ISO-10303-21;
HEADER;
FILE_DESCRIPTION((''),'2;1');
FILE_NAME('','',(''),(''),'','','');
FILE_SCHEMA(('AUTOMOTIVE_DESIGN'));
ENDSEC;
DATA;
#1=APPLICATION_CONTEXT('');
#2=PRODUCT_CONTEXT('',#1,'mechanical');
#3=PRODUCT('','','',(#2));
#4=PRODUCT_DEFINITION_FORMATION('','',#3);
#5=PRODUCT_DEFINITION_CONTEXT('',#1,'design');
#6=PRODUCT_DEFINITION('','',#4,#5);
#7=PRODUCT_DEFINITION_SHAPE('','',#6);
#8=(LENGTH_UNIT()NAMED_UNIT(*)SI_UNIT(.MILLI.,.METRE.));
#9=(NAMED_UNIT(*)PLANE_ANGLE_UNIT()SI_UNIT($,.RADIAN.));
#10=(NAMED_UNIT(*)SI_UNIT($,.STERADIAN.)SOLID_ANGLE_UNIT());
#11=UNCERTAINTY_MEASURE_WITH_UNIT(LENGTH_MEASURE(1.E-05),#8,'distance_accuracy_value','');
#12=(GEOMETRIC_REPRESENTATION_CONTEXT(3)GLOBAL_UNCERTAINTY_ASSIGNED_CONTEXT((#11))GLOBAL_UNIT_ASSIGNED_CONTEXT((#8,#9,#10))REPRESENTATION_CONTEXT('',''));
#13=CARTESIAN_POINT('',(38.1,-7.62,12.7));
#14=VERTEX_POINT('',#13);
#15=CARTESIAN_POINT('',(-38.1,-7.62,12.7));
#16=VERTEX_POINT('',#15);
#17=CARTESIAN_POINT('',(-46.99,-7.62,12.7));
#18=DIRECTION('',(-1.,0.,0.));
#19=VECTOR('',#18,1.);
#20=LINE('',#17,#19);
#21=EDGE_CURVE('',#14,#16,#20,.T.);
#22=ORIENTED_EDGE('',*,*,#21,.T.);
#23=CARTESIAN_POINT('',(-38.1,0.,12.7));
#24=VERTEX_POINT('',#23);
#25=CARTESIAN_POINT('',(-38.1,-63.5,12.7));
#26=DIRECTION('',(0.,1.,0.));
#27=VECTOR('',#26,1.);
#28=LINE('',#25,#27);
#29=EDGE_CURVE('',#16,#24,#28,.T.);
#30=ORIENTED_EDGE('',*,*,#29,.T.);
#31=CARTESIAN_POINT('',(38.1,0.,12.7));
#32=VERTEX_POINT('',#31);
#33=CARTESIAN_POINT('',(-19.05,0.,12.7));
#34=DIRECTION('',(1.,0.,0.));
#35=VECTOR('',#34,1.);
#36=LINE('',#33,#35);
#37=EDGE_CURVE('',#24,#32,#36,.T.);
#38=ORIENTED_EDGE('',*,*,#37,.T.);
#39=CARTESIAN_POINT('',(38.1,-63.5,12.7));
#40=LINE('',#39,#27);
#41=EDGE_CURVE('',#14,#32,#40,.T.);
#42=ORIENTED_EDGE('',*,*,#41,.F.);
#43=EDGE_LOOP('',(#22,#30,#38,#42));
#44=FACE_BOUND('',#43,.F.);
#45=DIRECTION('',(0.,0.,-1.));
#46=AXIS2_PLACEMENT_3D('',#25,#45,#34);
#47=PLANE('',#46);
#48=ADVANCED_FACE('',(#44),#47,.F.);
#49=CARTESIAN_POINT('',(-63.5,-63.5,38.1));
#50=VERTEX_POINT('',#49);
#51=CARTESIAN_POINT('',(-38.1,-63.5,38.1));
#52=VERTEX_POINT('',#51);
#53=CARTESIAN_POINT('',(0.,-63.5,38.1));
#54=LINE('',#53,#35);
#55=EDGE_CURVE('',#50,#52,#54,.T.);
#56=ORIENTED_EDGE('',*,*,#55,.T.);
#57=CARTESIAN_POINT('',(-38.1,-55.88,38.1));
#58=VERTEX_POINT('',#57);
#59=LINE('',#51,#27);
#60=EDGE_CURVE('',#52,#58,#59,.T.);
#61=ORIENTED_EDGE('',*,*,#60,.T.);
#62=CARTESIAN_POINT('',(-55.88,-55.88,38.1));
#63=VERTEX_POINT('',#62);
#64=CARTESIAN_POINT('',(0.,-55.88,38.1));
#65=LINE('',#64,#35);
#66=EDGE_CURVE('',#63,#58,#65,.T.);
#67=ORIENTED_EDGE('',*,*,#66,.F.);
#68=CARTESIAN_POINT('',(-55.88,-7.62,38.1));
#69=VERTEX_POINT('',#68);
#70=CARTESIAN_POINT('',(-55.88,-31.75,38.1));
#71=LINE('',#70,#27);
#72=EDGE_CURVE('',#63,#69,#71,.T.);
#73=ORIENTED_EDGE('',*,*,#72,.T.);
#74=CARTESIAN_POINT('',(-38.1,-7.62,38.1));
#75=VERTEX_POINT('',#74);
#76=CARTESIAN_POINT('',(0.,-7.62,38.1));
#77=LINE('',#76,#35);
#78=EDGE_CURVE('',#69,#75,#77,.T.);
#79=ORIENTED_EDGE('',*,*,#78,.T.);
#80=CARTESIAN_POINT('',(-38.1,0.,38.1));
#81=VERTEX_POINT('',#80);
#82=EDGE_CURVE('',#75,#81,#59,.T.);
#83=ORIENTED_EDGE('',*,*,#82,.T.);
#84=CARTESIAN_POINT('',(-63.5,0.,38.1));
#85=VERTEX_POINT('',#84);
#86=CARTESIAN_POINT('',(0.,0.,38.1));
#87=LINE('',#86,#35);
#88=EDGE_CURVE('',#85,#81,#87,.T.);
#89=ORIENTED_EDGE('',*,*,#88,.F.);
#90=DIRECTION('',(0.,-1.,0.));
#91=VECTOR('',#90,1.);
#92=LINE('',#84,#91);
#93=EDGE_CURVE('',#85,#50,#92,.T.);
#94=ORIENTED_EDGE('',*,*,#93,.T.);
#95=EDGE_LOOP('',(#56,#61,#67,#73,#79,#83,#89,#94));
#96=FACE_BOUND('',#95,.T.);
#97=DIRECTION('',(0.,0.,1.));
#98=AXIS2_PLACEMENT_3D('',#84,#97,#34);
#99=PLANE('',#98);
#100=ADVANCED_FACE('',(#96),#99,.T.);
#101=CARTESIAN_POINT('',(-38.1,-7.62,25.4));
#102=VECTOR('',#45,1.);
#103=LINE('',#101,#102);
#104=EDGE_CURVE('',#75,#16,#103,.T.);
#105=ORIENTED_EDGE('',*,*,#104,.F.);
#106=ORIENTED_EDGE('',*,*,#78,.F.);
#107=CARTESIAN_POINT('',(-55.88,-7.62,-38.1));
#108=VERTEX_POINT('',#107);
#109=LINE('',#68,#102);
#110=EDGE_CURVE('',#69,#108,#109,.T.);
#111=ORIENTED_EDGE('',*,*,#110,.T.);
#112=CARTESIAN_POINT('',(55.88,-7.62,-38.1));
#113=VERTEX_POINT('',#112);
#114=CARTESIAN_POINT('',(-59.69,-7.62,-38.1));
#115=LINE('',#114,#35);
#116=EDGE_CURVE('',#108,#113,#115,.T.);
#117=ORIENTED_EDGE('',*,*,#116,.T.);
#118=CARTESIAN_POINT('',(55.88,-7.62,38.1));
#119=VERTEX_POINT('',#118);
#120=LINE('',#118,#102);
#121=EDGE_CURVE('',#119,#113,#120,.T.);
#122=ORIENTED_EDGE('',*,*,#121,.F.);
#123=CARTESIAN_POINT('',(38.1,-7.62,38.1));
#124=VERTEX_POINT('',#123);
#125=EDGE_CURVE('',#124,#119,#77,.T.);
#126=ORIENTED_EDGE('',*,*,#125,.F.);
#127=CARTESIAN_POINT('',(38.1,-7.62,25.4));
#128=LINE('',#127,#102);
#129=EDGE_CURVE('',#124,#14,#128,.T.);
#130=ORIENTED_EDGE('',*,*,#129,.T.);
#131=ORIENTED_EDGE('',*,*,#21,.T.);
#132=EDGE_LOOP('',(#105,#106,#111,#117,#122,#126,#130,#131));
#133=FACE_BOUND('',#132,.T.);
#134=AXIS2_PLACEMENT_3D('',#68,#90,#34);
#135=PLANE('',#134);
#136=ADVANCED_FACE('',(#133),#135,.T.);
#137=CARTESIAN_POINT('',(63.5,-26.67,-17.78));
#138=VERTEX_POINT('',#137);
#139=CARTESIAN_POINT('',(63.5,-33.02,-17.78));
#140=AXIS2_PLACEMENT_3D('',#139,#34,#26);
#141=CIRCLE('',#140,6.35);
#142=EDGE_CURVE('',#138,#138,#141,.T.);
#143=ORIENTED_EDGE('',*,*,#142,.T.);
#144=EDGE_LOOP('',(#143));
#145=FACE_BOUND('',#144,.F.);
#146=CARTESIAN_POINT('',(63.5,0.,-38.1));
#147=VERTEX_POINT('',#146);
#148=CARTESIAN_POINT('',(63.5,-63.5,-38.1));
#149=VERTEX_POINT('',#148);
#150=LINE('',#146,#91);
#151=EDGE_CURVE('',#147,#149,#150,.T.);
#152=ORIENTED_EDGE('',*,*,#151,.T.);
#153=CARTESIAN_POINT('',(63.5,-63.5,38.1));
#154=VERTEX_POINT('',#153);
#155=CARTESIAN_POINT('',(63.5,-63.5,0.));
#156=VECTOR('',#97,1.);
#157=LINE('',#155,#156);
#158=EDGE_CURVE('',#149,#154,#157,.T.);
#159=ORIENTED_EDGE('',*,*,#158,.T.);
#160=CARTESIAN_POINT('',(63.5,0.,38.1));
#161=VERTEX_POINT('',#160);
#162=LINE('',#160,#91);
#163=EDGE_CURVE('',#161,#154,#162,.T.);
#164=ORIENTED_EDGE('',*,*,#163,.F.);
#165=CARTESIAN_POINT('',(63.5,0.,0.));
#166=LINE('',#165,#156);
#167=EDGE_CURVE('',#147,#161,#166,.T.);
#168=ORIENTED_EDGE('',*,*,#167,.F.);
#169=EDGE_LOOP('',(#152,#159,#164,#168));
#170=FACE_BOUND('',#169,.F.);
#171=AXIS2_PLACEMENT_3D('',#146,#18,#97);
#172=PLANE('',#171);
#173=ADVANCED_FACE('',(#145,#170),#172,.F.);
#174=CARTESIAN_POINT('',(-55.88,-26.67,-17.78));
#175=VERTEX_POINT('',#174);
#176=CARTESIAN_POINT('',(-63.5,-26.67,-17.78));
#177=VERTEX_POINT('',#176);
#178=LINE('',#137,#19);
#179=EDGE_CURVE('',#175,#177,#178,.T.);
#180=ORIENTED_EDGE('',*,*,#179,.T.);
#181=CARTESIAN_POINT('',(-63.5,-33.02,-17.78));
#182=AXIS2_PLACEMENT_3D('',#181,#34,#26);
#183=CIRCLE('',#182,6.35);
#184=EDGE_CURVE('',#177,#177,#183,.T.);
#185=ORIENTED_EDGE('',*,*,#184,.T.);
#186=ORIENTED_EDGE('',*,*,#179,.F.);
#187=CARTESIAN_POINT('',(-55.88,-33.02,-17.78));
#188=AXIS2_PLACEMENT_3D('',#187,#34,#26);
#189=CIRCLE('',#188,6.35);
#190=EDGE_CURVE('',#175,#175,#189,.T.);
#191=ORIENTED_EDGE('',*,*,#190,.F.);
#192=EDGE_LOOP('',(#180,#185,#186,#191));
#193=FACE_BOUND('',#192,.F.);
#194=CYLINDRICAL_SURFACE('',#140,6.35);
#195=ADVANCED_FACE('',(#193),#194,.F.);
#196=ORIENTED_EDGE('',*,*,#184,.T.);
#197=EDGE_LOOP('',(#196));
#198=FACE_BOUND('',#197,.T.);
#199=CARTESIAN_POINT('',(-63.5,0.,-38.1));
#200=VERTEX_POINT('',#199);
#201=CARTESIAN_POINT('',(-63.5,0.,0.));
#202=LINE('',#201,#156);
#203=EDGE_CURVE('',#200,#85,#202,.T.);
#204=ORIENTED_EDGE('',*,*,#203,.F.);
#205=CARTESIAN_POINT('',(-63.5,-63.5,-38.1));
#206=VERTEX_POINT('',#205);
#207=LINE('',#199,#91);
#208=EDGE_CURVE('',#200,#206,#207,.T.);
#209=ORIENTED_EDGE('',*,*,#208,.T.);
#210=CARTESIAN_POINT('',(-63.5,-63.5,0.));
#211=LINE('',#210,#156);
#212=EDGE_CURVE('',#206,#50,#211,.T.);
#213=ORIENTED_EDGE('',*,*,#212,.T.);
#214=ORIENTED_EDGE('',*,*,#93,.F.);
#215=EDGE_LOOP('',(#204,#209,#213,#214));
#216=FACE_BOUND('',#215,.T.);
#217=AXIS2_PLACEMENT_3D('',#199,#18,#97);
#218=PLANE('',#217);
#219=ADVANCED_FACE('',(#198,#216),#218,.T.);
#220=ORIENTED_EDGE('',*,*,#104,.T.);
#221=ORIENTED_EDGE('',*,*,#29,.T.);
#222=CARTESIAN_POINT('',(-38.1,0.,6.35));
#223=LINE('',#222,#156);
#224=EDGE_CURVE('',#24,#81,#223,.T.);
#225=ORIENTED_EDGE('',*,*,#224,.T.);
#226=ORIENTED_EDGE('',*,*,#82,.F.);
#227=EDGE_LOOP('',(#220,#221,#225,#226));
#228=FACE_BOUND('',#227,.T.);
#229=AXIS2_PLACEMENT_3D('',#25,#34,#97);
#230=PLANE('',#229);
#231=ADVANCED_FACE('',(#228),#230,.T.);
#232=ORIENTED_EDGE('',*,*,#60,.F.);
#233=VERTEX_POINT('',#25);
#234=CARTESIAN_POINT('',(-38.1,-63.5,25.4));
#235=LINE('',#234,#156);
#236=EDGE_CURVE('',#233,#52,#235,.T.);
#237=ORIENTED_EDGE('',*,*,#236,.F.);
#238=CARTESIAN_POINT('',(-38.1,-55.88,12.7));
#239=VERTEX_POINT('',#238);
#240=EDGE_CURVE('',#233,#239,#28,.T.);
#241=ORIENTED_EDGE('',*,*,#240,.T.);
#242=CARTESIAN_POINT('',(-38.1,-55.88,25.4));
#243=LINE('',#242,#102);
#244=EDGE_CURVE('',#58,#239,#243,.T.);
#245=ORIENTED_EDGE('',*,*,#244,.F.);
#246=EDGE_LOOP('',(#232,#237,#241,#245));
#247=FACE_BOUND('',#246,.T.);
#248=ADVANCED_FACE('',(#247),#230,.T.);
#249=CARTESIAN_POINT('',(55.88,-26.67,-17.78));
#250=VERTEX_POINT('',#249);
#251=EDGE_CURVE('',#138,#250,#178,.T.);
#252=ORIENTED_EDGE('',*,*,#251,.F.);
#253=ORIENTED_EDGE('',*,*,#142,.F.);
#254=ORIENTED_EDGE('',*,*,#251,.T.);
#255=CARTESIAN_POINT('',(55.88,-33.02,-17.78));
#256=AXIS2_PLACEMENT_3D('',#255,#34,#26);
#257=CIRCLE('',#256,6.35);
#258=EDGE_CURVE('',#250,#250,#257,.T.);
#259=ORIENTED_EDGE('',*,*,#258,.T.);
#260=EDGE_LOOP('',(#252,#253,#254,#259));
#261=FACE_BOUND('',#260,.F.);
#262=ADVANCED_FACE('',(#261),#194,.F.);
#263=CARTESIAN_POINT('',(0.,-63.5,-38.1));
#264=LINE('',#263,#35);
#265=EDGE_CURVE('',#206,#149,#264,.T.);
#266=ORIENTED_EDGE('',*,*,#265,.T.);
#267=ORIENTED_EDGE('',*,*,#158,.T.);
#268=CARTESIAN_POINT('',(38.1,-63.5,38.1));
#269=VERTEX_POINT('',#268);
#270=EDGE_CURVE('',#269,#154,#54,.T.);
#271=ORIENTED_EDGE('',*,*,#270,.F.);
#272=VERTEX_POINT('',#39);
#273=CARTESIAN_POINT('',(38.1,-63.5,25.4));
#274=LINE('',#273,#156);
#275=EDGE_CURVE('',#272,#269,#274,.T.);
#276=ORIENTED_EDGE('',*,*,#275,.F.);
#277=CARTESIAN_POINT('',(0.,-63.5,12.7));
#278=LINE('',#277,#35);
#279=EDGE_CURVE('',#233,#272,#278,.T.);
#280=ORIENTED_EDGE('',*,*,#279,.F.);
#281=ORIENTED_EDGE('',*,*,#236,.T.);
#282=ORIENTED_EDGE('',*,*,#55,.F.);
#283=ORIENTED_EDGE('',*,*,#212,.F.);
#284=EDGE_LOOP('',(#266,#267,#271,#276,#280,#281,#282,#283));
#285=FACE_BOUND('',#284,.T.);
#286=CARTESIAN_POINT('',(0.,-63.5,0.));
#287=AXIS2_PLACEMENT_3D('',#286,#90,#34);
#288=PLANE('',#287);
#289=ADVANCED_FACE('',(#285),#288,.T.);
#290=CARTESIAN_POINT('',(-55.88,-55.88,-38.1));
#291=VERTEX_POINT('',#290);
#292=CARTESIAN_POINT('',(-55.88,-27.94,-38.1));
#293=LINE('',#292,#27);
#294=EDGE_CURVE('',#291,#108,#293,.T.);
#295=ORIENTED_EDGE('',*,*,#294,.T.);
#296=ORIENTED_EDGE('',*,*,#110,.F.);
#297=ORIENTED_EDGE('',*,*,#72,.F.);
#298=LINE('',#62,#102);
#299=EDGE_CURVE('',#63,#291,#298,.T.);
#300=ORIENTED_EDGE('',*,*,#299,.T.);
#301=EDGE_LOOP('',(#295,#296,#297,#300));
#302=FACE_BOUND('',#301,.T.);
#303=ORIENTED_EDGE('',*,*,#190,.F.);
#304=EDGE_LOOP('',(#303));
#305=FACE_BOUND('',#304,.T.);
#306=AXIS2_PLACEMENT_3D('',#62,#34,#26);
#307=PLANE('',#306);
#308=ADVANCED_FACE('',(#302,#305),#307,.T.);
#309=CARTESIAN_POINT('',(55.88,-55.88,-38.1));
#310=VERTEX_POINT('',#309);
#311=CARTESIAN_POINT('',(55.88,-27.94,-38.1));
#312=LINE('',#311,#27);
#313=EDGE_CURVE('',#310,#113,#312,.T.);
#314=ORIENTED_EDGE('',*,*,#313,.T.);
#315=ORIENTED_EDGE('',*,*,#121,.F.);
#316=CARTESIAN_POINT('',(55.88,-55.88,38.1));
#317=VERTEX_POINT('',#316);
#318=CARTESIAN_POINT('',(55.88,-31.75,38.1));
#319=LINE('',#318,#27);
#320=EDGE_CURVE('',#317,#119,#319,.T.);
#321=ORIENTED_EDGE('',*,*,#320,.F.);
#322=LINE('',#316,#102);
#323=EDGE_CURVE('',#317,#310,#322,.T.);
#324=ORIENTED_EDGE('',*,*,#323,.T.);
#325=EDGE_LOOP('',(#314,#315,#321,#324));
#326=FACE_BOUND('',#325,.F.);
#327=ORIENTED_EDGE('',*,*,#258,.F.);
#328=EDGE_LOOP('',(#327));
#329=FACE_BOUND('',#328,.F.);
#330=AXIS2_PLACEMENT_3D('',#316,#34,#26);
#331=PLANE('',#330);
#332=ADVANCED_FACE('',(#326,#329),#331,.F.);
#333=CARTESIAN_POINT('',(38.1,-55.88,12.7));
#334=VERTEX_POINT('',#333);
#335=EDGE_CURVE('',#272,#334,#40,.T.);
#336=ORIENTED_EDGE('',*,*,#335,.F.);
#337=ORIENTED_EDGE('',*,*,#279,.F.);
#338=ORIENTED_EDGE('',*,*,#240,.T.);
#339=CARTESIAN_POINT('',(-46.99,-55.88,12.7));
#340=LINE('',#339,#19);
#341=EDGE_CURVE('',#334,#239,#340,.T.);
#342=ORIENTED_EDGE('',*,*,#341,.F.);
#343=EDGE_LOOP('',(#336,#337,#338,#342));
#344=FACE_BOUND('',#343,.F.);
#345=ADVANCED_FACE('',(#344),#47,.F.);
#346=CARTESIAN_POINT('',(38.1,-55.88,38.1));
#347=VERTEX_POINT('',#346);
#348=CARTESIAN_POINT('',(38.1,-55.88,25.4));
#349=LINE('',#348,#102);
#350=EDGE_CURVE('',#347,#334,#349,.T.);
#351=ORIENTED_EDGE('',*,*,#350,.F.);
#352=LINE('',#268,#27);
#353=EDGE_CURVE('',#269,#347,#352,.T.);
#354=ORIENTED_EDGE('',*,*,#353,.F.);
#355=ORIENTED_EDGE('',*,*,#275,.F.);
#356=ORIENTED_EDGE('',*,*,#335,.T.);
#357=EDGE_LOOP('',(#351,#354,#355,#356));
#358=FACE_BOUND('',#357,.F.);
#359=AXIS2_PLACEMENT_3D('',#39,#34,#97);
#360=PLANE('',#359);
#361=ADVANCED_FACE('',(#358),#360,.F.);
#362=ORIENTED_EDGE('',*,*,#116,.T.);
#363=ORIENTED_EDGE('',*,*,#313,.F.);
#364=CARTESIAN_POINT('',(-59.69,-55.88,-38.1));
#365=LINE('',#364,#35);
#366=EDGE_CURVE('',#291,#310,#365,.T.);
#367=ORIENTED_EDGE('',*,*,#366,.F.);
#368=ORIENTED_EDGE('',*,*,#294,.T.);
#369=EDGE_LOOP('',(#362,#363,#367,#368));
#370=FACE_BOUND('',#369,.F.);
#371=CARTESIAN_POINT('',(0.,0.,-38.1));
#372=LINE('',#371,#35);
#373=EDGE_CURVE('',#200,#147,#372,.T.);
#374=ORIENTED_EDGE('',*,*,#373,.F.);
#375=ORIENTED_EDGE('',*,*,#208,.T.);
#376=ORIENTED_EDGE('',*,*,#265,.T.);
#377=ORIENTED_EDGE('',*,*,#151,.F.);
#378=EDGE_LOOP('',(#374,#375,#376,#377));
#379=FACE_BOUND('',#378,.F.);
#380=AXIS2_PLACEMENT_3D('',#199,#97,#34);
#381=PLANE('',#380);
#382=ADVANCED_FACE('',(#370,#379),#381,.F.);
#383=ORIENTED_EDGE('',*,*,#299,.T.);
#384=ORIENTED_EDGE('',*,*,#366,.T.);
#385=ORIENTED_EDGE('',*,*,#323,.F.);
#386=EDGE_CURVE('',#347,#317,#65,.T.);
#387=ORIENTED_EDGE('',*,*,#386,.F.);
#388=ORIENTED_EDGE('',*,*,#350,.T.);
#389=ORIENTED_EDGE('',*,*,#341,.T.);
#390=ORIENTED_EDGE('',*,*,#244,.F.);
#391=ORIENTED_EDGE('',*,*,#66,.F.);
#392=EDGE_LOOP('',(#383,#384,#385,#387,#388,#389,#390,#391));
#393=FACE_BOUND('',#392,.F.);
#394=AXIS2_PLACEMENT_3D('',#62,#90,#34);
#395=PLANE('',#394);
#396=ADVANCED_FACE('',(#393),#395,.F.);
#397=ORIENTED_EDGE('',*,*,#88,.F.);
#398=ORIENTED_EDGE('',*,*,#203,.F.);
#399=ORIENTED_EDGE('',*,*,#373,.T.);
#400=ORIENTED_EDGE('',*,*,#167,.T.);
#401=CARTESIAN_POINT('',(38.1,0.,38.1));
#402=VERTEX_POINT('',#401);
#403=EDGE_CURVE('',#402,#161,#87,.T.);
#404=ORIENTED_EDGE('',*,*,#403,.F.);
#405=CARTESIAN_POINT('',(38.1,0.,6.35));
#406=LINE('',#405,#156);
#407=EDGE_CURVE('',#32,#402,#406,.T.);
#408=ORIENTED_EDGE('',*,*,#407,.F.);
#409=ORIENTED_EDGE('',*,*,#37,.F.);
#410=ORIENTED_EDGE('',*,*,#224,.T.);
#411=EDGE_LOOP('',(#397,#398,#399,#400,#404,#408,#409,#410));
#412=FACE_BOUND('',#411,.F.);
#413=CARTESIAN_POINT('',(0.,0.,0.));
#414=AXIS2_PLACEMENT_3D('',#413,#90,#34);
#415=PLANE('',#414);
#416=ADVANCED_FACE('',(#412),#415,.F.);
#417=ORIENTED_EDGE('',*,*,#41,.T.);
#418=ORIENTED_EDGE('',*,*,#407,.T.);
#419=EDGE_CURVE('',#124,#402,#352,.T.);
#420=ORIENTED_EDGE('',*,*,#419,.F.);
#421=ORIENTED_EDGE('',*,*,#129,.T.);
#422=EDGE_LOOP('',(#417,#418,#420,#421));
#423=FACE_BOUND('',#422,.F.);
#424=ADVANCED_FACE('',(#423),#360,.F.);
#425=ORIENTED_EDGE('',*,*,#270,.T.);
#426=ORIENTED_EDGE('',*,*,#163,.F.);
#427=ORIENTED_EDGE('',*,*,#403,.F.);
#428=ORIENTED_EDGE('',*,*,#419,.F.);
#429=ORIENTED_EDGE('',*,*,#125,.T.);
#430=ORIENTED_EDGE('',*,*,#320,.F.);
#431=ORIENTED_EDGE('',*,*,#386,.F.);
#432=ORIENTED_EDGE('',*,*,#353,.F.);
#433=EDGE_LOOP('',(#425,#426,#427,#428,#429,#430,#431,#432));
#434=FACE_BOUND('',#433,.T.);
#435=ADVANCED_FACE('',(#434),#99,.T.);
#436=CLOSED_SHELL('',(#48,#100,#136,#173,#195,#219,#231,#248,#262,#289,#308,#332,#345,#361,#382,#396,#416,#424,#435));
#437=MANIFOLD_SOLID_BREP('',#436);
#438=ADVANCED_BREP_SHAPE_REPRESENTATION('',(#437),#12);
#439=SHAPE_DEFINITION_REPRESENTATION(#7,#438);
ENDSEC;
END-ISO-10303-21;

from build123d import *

# Parameters (mm, degrees)
F0_W     = 127
F0_H     = 76.2
F1_DEPTH = 63.5
F2_W     = 76.2
F2_H     = 25.4
F3_DEPTH = 75.184
F4_W     = 111.76
F4_H     = 48.26
F5_DEPTH = 86.868
F6_R     = 6.35
F7_DEPTH = 142.748


with BuildPart() as f1:
    # F0 (on Front) → F1 (new body)
    with BuildSketch(Plane.XZ):
        Rectangle(F0_W, F0_H)
    extrude(amount=F1_DEPTH)

    # F2 (on face) → F3 (cut)
    with BuildSketch(Plane.XZ.offset(63.5)):
        with Locations((0, 25.4)):
            Rectangle(F2_W, F2_H)
    extrude(amount=-F3_DEPTH, mode=Mode.SUBTRACT)

    # F4 (on face) → F5 (cut)
    with BuildSketch(Plane.XY.offset(38.1)):
        with Locations((0, -31.75)):
            Rectangle(F4_W, F4_H)
    extrude(amount=-F5_DEPTH, mode=Mode.SUBTRACT)

    # F6 (on face) → F7 (cut)
    with BuildSketch(Plane.YZ.offset(63.5)):
        with Locations((-33.02, -17.78)):
            Circle(F6_R)
    extrude(amount=-F7_DEPTH, mode=Mode.SUBTRACT)


solid = f1.part
